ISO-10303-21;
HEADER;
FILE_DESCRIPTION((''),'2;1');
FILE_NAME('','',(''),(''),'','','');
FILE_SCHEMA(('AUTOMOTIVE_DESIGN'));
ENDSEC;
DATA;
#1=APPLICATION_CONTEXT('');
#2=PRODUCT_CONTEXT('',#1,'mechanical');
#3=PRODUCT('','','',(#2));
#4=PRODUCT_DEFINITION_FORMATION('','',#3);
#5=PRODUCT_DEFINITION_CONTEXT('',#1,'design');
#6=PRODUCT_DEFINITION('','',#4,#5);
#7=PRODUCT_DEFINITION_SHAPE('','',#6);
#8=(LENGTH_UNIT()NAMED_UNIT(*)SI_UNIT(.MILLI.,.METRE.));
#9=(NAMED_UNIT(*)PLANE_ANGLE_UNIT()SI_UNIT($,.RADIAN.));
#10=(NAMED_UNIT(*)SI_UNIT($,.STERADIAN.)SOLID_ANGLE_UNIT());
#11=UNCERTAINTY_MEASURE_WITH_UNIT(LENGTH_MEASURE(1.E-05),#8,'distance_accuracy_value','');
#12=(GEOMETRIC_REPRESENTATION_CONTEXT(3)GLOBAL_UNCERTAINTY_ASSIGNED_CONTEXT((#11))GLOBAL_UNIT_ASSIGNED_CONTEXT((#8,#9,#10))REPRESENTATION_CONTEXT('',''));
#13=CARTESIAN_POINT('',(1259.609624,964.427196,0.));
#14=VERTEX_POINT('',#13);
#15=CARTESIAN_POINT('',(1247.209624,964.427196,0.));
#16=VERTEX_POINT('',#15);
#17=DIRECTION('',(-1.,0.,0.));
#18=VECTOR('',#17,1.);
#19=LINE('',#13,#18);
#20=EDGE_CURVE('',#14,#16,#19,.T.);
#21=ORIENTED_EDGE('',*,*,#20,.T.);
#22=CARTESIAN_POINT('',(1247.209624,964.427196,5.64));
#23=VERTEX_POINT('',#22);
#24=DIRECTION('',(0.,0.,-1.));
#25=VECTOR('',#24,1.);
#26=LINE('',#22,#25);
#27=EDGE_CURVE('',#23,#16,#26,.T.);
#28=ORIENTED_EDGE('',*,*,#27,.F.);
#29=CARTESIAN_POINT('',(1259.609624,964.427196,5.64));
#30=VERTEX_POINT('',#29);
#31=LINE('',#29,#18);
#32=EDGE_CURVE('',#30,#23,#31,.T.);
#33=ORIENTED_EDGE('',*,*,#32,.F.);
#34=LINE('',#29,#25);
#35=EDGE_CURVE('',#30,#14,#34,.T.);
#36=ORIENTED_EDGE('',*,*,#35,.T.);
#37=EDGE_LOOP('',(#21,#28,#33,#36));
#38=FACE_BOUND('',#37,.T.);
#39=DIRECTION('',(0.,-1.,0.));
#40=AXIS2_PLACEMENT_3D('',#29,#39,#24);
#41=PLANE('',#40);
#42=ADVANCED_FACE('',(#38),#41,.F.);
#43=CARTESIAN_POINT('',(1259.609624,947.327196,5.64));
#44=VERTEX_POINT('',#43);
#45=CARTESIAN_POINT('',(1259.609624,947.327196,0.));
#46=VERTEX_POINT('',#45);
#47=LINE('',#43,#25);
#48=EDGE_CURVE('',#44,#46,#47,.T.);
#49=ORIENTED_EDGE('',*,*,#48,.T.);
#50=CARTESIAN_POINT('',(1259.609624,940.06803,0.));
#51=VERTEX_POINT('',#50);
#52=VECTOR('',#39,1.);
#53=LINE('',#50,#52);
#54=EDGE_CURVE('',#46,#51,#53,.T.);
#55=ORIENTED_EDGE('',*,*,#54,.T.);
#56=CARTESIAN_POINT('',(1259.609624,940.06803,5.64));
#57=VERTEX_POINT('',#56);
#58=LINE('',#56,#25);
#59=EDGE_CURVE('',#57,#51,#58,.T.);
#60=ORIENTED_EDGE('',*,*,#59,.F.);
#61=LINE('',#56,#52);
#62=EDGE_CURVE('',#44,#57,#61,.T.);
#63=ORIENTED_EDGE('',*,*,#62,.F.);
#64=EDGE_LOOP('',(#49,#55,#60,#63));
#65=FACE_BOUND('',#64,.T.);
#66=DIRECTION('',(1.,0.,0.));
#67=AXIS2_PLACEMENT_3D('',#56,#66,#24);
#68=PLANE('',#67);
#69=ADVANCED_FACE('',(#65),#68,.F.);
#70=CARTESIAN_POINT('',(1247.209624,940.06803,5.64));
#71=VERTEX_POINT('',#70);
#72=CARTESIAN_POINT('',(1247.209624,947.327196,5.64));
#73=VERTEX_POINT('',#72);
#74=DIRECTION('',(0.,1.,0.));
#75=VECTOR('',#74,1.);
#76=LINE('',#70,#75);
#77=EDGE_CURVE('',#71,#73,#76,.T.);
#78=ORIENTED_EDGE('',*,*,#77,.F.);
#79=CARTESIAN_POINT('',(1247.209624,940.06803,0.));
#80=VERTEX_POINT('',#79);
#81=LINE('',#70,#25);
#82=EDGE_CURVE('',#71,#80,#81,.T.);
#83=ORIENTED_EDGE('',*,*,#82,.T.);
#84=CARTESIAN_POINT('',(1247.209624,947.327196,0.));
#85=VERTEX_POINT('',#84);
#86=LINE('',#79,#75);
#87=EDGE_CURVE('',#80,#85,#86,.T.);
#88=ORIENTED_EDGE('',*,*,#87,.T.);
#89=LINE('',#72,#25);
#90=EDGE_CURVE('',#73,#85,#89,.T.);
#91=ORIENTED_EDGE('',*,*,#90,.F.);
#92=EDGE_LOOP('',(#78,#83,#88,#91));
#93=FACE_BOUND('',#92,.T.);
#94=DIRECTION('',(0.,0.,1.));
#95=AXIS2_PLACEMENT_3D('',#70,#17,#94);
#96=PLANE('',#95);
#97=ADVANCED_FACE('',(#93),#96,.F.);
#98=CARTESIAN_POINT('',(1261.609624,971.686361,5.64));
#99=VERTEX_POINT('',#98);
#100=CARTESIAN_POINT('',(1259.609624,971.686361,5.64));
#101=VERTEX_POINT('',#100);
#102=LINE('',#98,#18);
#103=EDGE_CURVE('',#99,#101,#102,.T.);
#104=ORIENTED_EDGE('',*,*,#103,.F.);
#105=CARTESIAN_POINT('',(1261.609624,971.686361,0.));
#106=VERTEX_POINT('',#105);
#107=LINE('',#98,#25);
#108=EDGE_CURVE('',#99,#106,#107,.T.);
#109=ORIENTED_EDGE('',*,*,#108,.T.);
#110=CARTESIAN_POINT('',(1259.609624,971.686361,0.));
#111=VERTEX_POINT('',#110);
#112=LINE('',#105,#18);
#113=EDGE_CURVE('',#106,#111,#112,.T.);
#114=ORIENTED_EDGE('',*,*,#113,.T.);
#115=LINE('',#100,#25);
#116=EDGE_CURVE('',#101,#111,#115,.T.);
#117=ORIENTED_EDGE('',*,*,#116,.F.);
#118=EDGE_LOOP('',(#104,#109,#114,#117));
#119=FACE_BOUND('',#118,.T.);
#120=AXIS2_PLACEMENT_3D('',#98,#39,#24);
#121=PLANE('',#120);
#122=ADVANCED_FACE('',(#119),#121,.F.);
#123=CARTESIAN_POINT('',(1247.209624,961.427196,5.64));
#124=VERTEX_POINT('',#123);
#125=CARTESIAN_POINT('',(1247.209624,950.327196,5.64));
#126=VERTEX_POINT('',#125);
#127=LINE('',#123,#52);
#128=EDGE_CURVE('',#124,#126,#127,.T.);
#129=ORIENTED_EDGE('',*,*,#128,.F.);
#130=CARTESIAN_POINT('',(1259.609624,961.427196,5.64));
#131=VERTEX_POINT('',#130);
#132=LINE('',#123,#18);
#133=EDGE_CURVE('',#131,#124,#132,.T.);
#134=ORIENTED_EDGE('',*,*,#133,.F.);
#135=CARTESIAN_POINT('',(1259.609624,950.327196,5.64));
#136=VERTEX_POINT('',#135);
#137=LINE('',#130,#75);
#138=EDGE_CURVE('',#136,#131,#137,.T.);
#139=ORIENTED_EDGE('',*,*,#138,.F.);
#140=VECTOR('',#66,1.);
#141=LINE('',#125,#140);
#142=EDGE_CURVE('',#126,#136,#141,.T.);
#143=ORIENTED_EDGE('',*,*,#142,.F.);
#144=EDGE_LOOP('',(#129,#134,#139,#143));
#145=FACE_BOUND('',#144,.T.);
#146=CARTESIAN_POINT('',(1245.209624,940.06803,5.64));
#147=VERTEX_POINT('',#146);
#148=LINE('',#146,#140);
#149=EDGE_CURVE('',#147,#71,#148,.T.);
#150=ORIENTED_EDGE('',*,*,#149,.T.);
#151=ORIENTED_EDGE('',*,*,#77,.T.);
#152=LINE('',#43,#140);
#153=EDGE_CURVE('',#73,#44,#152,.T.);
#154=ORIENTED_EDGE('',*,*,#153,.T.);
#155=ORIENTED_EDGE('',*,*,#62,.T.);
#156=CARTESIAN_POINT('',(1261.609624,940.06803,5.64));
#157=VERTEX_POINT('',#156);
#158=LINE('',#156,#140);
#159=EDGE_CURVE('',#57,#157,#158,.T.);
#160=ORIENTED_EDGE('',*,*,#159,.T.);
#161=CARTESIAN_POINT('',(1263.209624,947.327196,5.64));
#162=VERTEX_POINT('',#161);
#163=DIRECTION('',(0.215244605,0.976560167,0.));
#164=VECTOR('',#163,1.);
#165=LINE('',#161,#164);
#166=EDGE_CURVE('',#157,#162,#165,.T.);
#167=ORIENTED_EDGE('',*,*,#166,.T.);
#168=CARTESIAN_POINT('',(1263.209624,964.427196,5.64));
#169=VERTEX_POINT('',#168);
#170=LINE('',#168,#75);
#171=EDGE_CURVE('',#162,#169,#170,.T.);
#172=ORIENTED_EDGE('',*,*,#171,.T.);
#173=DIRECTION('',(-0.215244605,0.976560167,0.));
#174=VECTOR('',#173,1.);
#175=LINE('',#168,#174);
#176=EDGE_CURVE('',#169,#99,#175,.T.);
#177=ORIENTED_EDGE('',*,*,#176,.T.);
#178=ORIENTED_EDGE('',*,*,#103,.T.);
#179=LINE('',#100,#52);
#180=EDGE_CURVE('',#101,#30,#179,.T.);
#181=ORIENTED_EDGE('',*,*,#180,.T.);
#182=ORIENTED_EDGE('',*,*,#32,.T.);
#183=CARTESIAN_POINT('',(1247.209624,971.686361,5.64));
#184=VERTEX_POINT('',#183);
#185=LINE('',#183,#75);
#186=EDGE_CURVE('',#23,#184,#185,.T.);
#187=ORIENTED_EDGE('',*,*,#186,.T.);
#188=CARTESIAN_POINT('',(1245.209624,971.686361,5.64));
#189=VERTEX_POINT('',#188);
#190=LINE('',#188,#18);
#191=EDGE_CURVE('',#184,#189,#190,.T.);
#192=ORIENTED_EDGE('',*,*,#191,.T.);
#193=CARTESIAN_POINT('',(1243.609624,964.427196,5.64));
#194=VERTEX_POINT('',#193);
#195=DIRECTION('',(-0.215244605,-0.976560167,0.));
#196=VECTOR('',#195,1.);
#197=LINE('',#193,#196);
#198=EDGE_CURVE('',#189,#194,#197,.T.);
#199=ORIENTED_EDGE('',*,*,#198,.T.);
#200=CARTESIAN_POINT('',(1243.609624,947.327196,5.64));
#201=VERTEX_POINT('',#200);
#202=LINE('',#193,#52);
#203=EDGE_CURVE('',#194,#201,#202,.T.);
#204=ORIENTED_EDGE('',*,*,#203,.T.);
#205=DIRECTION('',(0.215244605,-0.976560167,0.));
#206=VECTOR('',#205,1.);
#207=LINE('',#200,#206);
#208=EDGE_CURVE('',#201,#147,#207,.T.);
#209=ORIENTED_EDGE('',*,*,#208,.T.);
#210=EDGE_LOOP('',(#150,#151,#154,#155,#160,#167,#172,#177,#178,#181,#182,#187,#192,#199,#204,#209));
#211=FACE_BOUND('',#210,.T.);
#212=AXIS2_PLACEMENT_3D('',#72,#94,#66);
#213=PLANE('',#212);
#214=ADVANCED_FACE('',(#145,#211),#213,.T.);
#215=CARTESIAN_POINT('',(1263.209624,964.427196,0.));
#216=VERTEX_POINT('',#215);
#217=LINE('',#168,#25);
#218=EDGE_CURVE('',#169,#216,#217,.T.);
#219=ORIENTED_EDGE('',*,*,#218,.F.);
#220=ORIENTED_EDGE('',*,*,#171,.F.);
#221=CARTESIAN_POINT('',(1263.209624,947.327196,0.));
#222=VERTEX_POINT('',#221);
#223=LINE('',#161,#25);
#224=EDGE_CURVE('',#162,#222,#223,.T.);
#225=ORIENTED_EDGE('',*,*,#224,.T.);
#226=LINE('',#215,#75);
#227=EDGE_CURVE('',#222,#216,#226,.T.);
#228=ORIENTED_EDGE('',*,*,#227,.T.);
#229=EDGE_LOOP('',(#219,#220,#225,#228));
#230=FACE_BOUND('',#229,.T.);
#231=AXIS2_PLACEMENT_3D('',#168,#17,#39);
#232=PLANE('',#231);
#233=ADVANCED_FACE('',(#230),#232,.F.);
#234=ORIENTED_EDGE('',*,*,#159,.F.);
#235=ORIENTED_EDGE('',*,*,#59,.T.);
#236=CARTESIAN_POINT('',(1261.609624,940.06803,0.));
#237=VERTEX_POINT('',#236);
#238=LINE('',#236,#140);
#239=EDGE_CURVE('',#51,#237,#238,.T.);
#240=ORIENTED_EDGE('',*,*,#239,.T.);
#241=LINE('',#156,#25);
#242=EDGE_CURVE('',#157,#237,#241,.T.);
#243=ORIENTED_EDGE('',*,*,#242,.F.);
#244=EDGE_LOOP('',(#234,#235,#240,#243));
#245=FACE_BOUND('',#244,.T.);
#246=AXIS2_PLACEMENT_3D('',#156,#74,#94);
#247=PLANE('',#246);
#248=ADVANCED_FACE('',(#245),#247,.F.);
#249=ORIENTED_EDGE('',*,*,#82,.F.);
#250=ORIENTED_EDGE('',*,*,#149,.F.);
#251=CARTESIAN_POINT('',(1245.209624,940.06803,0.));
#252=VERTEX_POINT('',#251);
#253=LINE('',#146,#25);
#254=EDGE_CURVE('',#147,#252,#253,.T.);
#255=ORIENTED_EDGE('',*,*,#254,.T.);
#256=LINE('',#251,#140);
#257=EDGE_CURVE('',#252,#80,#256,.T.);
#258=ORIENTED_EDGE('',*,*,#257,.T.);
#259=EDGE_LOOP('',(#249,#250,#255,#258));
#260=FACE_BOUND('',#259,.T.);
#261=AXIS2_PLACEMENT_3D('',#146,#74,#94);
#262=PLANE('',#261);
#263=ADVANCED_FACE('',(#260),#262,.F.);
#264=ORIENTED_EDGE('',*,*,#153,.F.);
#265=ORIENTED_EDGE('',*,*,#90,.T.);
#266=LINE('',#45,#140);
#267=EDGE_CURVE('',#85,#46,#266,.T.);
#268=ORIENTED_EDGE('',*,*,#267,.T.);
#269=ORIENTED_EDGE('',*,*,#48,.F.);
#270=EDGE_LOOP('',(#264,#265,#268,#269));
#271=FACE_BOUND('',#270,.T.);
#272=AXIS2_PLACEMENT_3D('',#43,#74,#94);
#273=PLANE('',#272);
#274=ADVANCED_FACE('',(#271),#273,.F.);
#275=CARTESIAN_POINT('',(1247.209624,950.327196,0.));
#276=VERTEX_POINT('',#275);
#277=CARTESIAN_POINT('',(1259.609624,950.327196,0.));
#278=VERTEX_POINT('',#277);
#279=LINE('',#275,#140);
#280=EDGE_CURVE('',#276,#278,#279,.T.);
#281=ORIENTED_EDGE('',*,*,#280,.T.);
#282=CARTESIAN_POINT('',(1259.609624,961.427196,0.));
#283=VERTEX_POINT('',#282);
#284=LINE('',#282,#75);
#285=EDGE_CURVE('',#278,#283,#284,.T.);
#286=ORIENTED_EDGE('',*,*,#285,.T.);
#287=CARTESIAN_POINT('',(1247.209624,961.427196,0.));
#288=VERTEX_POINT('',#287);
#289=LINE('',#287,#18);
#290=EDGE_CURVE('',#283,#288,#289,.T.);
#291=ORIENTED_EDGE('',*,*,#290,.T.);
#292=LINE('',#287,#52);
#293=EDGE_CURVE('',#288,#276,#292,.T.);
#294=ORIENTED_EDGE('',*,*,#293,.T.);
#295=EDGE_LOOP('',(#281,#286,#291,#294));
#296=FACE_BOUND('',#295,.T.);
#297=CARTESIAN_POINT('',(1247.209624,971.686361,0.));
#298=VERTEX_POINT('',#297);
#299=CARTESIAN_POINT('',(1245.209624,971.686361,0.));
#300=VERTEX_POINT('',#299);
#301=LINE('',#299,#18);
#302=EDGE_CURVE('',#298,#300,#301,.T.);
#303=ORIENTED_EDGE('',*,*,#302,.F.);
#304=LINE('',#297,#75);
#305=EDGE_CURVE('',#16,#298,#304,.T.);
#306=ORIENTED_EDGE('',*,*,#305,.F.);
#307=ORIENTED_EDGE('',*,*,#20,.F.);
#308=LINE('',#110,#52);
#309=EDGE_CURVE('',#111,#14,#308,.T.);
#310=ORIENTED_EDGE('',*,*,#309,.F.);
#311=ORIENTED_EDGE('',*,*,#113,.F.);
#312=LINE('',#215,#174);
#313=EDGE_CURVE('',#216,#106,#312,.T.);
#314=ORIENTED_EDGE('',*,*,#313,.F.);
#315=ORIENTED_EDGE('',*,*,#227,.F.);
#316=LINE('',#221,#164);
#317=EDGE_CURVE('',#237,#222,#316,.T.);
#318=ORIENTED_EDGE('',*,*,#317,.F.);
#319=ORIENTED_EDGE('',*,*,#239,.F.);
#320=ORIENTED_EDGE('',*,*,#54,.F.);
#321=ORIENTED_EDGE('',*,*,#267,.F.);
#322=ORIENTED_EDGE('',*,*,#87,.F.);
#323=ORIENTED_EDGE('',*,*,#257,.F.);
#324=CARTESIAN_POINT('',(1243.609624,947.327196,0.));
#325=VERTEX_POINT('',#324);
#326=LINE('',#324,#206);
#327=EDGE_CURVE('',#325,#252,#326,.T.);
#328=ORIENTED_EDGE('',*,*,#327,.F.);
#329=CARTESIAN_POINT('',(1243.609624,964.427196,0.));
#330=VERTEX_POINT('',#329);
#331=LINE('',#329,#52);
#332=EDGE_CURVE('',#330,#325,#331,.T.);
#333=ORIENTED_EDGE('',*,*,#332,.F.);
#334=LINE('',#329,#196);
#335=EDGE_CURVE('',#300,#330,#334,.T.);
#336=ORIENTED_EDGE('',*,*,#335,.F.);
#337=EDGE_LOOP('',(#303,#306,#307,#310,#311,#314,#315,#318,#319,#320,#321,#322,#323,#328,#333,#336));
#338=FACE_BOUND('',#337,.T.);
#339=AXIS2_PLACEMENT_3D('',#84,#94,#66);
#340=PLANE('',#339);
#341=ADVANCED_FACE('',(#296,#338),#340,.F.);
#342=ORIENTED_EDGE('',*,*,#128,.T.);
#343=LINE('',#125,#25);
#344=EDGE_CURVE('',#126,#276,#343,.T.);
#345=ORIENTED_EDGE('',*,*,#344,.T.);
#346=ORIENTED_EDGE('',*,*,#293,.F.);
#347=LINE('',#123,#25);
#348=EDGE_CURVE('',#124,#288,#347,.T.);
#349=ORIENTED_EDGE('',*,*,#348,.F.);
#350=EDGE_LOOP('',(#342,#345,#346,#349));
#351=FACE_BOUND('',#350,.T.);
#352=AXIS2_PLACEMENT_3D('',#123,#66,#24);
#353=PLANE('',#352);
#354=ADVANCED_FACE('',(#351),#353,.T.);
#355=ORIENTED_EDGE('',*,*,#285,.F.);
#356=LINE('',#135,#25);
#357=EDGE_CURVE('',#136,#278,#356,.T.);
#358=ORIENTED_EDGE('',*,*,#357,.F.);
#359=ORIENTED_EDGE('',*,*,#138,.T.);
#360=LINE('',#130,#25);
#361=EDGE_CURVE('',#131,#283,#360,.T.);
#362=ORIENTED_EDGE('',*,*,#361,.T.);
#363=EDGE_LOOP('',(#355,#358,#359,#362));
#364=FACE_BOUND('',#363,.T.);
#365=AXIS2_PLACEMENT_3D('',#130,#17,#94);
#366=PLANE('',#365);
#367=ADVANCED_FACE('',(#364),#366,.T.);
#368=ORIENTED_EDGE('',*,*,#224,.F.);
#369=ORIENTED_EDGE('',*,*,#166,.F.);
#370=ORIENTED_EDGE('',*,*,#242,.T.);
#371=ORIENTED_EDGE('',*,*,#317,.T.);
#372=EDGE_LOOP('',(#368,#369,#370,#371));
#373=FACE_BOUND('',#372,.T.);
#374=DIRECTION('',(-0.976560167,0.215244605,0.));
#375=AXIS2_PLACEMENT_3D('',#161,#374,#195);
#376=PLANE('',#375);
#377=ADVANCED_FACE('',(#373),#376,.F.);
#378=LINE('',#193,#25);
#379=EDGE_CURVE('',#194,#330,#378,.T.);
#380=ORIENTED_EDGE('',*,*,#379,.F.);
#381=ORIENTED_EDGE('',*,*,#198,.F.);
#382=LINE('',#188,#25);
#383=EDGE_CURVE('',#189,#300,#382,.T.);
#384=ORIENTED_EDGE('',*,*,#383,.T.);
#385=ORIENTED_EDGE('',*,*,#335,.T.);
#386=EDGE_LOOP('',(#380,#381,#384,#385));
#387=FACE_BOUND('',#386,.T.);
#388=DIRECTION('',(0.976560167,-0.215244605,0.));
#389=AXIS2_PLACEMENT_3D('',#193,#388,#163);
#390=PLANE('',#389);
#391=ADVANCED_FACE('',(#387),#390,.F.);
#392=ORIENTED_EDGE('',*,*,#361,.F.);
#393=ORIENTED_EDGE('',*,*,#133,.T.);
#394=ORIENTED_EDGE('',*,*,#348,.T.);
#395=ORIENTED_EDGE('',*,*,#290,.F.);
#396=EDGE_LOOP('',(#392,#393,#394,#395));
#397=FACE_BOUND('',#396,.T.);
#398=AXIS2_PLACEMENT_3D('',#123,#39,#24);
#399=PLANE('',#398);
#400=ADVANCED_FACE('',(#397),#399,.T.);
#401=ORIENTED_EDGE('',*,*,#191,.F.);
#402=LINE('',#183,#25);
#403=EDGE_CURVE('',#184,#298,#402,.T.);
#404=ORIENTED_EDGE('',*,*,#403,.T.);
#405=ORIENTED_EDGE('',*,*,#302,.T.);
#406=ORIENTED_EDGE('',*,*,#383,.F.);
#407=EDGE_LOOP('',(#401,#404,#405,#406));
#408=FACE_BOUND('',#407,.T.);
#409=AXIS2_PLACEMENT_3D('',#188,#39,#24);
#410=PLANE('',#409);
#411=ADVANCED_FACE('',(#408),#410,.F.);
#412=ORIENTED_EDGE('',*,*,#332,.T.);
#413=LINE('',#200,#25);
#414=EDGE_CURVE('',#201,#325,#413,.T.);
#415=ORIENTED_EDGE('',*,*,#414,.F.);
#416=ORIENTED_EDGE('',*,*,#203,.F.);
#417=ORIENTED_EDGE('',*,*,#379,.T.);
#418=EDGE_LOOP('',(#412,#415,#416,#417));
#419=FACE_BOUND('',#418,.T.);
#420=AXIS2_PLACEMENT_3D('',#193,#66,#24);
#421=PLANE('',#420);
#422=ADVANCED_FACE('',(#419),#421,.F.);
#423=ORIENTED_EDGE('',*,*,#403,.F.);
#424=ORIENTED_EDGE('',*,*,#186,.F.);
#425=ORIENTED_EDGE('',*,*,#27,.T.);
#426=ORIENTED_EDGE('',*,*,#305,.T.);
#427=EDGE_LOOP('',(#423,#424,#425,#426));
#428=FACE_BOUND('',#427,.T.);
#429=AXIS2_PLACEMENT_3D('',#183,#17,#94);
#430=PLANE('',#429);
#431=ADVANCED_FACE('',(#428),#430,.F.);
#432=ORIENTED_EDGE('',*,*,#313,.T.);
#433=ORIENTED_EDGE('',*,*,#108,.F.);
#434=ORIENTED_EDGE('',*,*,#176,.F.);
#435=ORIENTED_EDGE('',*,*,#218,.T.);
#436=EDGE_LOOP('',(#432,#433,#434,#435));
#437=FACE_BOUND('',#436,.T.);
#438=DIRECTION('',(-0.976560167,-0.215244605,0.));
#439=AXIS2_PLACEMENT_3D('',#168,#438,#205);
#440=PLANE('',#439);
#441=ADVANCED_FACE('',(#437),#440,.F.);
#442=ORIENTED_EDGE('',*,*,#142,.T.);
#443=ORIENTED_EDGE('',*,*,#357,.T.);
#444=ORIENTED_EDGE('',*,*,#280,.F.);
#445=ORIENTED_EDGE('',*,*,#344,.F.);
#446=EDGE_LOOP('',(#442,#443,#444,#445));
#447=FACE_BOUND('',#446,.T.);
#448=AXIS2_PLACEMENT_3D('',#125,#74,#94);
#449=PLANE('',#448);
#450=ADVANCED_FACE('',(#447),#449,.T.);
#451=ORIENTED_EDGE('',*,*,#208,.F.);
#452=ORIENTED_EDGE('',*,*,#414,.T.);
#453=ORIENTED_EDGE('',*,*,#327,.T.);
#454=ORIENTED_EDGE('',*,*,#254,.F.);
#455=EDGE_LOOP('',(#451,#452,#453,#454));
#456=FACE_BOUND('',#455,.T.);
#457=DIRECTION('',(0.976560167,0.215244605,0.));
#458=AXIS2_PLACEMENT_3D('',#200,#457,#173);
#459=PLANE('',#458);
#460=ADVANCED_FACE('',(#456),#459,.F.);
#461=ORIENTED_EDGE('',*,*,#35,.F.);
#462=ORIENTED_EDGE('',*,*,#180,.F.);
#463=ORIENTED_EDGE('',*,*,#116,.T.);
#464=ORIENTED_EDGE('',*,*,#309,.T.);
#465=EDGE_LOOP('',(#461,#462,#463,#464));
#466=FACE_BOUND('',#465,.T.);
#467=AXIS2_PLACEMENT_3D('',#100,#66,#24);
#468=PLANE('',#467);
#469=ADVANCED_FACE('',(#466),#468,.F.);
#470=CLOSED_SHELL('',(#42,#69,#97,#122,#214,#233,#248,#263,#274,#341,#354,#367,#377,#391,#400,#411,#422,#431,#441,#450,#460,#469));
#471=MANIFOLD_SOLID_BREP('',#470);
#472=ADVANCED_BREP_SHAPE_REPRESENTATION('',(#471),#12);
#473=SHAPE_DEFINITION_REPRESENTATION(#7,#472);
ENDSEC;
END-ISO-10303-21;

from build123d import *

# Parameters (mm, degrees)
SKETCH1_W           = 12.4
SKETCH1_H           = 11.1
BOSS_EXTRUDE1_DEPTH = 5.64


with BuildPart() as part:
    # Sketch1 → Boss-Extrude1 (new body)
    with BuildSketch(Plane.XY):
        Polygon((1245.209623553, 971.686361434), (1247.209623553, 971.686361434), (1247.209623553, 964.427195661), (1259.609623553, 964.427195661), (1259.609623553, 971.686361434), (1261.609623553, 971.686361434), (1263.209623553, 964.427195661), (1263.209623553, 947.327195661), (1261.609623553, 940.068029888), (1259.609623553, 940.068029888), (1259.609623553, 947.327195661), (1247.209623553, 947.327195661), (1247.209623553, 940.068029888), (1245.209623553, 940.068029888), (1243.609623553, 947.327195661), (1243.609623553, 964.427195661), align=None)
        with Locations((1253.409623553, 955.877195661)):
            Rectangle(SKETCH1_W, SKETCH1_H, mode=Mode.SUBTRACT)
    extrude(amount=BOSS_EXTRUDE1_DEPTH)


solid = part.part
